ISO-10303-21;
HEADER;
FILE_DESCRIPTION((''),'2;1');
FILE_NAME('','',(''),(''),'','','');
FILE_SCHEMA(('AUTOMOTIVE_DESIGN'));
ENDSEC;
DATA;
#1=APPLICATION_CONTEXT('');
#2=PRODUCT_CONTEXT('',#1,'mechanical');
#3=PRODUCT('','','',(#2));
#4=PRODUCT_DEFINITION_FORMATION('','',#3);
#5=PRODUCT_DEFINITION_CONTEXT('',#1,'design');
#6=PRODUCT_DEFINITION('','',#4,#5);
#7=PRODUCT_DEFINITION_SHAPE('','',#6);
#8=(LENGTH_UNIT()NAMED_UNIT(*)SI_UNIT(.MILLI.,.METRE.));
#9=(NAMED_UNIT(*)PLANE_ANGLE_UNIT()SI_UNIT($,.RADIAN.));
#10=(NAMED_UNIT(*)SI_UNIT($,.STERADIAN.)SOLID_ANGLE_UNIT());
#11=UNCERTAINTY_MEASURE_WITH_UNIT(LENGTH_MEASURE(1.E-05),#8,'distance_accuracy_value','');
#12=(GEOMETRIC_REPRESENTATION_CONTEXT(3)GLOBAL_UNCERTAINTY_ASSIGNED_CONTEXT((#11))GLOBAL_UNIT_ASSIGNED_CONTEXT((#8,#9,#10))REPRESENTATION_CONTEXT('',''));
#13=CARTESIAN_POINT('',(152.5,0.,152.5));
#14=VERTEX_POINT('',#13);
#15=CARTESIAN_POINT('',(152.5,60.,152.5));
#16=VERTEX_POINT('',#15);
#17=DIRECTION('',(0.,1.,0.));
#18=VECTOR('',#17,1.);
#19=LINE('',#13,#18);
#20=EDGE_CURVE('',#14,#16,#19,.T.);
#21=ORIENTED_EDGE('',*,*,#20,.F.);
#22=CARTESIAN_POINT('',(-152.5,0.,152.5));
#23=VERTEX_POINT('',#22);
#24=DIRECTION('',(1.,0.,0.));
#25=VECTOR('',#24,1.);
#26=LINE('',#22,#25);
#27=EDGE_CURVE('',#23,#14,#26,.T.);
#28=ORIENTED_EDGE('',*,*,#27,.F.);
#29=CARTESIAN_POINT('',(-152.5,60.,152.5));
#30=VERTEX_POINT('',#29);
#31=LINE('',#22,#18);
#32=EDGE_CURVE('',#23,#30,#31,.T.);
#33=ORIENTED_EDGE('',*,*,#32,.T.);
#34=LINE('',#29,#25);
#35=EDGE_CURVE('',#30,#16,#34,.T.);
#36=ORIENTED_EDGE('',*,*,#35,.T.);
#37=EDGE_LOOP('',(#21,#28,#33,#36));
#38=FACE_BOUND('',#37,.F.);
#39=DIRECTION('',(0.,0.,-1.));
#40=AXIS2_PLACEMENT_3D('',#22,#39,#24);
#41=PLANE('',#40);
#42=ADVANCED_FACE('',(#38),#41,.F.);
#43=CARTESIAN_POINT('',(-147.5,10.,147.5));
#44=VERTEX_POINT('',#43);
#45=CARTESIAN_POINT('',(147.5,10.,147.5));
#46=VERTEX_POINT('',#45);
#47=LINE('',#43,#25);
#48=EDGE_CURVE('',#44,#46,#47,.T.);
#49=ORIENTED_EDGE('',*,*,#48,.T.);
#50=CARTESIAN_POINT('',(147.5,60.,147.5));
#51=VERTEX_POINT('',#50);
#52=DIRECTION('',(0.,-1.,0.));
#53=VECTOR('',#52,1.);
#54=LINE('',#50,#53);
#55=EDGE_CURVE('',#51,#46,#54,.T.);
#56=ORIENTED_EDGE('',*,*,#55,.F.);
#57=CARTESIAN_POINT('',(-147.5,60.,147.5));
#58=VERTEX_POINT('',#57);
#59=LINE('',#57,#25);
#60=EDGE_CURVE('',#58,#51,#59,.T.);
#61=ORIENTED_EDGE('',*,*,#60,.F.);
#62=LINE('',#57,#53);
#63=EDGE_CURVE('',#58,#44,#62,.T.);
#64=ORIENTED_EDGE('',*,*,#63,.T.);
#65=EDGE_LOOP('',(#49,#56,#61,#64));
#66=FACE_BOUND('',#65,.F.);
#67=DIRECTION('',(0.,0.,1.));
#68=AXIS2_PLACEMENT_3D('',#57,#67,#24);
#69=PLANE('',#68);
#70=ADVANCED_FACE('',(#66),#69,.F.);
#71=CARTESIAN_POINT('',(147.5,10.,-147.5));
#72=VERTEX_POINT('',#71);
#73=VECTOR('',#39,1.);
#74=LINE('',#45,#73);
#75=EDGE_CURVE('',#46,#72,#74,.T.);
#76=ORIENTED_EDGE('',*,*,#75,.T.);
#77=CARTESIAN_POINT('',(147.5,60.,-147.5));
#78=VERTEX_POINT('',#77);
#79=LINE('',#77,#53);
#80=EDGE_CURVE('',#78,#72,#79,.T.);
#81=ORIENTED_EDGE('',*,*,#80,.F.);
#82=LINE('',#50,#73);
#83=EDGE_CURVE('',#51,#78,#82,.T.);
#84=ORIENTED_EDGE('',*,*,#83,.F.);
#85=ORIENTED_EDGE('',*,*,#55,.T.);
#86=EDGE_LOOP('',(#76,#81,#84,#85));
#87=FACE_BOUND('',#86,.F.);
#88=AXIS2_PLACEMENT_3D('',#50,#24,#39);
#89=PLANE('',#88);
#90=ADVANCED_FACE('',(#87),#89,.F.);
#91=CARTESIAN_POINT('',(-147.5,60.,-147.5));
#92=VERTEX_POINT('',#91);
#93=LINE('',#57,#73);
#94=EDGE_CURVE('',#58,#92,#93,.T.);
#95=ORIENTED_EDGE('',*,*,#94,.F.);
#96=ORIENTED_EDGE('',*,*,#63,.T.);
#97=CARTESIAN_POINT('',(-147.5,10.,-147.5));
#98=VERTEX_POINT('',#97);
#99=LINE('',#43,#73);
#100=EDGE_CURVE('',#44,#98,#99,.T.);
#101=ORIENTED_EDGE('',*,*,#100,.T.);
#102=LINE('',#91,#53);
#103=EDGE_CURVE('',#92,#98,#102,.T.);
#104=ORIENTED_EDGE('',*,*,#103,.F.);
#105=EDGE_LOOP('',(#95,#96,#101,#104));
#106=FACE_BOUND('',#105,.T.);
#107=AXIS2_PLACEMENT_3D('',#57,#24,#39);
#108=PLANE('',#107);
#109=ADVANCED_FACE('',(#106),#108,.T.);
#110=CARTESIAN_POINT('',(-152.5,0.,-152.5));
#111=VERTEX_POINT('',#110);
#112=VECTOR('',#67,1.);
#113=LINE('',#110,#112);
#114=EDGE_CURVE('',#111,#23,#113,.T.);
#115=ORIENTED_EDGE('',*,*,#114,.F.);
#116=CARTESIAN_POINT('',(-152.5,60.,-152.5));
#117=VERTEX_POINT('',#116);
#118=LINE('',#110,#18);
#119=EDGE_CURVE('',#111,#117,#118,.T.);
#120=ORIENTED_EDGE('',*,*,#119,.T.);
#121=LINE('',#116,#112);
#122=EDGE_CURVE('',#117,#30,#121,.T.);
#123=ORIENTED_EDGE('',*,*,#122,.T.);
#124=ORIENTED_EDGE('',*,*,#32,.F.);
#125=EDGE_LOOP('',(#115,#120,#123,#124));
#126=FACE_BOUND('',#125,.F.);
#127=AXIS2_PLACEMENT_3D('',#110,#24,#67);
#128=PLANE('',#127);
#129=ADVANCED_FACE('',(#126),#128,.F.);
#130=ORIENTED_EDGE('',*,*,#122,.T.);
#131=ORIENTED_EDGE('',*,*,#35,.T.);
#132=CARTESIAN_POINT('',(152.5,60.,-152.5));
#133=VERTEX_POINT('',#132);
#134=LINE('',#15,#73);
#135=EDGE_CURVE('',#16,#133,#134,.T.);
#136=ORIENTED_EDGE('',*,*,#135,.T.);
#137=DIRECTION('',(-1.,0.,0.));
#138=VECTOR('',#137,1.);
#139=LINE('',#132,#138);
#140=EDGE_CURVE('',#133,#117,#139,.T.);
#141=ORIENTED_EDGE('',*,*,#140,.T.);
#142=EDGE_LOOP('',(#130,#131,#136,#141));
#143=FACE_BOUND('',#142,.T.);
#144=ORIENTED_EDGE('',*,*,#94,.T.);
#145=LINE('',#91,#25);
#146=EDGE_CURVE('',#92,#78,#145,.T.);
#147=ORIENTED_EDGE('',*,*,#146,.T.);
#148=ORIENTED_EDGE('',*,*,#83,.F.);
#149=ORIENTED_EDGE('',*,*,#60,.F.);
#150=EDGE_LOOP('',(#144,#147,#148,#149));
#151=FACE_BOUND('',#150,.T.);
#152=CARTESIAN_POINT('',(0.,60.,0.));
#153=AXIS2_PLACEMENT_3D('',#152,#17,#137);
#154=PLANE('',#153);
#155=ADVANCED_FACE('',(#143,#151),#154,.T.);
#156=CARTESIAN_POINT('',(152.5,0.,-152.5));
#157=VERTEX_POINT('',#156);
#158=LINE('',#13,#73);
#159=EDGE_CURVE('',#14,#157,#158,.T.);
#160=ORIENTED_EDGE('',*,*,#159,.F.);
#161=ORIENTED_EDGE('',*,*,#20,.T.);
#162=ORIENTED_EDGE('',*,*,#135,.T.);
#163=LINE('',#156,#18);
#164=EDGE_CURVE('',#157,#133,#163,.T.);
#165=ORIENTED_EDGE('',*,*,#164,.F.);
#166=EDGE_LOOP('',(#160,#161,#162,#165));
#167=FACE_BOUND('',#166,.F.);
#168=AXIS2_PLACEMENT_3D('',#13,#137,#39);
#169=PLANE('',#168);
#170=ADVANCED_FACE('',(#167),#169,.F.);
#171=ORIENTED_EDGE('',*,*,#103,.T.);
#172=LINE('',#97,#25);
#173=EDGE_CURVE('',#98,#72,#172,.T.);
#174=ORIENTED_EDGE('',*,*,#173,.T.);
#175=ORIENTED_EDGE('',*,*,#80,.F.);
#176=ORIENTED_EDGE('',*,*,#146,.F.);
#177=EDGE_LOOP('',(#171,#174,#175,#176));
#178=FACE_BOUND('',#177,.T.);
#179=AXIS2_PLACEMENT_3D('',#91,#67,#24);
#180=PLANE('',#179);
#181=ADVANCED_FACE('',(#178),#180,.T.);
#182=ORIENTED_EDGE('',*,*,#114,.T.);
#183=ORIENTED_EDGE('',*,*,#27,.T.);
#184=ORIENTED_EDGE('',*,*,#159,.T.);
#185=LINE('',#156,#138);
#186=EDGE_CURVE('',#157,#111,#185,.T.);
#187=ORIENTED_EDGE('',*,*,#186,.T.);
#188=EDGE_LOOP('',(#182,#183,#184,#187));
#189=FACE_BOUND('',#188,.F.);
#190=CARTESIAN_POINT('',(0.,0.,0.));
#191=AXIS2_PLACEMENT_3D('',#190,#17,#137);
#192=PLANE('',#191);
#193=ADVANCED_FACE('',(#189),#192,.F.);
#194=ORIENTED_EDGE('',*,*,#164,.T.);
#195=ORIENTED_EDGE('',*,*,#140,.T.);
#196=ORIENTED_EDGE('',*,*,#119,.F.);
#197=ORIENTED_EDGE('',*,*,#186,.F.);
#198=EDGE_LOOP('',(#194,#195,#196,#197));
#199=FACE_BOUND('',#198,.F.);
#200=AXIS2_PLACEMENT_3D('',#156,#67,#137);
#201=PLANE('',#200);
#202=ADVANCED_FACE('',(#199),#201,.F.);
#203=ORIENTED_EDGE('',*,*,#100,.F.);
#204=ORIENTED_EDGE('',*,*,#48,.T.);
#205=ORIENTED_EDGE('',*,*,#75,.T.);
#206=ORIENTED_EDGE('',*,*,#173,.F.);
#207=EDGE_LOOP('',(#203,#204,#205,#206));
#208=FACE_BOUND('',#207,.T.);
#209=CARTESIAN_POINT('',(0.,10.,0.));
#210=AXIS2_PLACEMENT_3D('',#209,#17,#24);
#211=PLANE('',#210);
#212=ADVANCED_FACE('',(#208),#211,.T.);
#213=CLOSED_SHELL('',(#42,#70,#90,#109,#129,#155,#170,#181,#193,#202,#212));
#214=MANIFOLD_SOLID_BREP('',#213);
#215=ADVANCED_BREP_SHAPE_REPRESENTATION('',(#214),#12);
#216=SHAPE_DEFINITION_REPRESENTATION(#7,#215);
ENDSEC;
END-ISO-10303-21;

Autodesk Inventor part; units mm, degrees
ref_plane "YZ Plane" through (0, 0, 0) normal (1, 0, 0) x (0, 1, 0)
ref_plane "XZ Plane" through (0, 0, 0) normal (0, 1, 0) x (-1, 0, 0)
ref_plane "XY Plane" through (0, 0, 0) normal (0, 0, 1) x (1, 0, 0)
sketch "Esboço1" plane through (0, 0, 0) normal (0, 1, 0) x (-1, 0, 0)
  line L0 (152.5, 152.5) -> (-152.5, 152.5)
  line L1 (-152.5, 152.5) -> (-152.5, -152.5)
  line L2 (-152.5, -152.5) -> (152.5, -152.5)
  line L3 (152.5, -152.5) -> (152.5, 152.5)
  point P0 (0, 0)
  dimension "d0" = 305
  dimension "d1" = 305
  dimension "d2" = 152.5
  dimension "d3" = 152.5
extrude "Extrusão1" add sketch "Esboço1" along normal blind 60
sketch "Esboço2" plane through (0, 60, 0) normal (0, 1, 0) x (1, 0, 0)
  line L0 (-147.5, -147.5) -> (147.5, -147.5)
  line L1 (-152.5, -152.5) -> (152.5, -152.5) projected
  line L2 (147.5, -147.5) -> (147.5, 147.5)
  line L3 (-147.5, -147.5) -> (-147.5, 147.5)
  line L4 (-147.5, 147.5) -> (147.5, 147.5)
  line L5 (152.5, 152.5) -> (-152.5, 152.5) projected
  line L6 (152.5, -152.5) -> (152.5, 152.5) projected
  line L7 (-152.5, 152.5) -> (-152.5, -152.5) projected
  point P0 (0, 0)
  dimension "d10" = 5
  dimension "d11" = 5
  dimension "d12" = 5
  dimension "d13" = 5
extrude "Extrusão2" cut sketch "Esboço2" against normal blind 50 contours L3 L4 L2 L0
properties part number "reservatorio"
